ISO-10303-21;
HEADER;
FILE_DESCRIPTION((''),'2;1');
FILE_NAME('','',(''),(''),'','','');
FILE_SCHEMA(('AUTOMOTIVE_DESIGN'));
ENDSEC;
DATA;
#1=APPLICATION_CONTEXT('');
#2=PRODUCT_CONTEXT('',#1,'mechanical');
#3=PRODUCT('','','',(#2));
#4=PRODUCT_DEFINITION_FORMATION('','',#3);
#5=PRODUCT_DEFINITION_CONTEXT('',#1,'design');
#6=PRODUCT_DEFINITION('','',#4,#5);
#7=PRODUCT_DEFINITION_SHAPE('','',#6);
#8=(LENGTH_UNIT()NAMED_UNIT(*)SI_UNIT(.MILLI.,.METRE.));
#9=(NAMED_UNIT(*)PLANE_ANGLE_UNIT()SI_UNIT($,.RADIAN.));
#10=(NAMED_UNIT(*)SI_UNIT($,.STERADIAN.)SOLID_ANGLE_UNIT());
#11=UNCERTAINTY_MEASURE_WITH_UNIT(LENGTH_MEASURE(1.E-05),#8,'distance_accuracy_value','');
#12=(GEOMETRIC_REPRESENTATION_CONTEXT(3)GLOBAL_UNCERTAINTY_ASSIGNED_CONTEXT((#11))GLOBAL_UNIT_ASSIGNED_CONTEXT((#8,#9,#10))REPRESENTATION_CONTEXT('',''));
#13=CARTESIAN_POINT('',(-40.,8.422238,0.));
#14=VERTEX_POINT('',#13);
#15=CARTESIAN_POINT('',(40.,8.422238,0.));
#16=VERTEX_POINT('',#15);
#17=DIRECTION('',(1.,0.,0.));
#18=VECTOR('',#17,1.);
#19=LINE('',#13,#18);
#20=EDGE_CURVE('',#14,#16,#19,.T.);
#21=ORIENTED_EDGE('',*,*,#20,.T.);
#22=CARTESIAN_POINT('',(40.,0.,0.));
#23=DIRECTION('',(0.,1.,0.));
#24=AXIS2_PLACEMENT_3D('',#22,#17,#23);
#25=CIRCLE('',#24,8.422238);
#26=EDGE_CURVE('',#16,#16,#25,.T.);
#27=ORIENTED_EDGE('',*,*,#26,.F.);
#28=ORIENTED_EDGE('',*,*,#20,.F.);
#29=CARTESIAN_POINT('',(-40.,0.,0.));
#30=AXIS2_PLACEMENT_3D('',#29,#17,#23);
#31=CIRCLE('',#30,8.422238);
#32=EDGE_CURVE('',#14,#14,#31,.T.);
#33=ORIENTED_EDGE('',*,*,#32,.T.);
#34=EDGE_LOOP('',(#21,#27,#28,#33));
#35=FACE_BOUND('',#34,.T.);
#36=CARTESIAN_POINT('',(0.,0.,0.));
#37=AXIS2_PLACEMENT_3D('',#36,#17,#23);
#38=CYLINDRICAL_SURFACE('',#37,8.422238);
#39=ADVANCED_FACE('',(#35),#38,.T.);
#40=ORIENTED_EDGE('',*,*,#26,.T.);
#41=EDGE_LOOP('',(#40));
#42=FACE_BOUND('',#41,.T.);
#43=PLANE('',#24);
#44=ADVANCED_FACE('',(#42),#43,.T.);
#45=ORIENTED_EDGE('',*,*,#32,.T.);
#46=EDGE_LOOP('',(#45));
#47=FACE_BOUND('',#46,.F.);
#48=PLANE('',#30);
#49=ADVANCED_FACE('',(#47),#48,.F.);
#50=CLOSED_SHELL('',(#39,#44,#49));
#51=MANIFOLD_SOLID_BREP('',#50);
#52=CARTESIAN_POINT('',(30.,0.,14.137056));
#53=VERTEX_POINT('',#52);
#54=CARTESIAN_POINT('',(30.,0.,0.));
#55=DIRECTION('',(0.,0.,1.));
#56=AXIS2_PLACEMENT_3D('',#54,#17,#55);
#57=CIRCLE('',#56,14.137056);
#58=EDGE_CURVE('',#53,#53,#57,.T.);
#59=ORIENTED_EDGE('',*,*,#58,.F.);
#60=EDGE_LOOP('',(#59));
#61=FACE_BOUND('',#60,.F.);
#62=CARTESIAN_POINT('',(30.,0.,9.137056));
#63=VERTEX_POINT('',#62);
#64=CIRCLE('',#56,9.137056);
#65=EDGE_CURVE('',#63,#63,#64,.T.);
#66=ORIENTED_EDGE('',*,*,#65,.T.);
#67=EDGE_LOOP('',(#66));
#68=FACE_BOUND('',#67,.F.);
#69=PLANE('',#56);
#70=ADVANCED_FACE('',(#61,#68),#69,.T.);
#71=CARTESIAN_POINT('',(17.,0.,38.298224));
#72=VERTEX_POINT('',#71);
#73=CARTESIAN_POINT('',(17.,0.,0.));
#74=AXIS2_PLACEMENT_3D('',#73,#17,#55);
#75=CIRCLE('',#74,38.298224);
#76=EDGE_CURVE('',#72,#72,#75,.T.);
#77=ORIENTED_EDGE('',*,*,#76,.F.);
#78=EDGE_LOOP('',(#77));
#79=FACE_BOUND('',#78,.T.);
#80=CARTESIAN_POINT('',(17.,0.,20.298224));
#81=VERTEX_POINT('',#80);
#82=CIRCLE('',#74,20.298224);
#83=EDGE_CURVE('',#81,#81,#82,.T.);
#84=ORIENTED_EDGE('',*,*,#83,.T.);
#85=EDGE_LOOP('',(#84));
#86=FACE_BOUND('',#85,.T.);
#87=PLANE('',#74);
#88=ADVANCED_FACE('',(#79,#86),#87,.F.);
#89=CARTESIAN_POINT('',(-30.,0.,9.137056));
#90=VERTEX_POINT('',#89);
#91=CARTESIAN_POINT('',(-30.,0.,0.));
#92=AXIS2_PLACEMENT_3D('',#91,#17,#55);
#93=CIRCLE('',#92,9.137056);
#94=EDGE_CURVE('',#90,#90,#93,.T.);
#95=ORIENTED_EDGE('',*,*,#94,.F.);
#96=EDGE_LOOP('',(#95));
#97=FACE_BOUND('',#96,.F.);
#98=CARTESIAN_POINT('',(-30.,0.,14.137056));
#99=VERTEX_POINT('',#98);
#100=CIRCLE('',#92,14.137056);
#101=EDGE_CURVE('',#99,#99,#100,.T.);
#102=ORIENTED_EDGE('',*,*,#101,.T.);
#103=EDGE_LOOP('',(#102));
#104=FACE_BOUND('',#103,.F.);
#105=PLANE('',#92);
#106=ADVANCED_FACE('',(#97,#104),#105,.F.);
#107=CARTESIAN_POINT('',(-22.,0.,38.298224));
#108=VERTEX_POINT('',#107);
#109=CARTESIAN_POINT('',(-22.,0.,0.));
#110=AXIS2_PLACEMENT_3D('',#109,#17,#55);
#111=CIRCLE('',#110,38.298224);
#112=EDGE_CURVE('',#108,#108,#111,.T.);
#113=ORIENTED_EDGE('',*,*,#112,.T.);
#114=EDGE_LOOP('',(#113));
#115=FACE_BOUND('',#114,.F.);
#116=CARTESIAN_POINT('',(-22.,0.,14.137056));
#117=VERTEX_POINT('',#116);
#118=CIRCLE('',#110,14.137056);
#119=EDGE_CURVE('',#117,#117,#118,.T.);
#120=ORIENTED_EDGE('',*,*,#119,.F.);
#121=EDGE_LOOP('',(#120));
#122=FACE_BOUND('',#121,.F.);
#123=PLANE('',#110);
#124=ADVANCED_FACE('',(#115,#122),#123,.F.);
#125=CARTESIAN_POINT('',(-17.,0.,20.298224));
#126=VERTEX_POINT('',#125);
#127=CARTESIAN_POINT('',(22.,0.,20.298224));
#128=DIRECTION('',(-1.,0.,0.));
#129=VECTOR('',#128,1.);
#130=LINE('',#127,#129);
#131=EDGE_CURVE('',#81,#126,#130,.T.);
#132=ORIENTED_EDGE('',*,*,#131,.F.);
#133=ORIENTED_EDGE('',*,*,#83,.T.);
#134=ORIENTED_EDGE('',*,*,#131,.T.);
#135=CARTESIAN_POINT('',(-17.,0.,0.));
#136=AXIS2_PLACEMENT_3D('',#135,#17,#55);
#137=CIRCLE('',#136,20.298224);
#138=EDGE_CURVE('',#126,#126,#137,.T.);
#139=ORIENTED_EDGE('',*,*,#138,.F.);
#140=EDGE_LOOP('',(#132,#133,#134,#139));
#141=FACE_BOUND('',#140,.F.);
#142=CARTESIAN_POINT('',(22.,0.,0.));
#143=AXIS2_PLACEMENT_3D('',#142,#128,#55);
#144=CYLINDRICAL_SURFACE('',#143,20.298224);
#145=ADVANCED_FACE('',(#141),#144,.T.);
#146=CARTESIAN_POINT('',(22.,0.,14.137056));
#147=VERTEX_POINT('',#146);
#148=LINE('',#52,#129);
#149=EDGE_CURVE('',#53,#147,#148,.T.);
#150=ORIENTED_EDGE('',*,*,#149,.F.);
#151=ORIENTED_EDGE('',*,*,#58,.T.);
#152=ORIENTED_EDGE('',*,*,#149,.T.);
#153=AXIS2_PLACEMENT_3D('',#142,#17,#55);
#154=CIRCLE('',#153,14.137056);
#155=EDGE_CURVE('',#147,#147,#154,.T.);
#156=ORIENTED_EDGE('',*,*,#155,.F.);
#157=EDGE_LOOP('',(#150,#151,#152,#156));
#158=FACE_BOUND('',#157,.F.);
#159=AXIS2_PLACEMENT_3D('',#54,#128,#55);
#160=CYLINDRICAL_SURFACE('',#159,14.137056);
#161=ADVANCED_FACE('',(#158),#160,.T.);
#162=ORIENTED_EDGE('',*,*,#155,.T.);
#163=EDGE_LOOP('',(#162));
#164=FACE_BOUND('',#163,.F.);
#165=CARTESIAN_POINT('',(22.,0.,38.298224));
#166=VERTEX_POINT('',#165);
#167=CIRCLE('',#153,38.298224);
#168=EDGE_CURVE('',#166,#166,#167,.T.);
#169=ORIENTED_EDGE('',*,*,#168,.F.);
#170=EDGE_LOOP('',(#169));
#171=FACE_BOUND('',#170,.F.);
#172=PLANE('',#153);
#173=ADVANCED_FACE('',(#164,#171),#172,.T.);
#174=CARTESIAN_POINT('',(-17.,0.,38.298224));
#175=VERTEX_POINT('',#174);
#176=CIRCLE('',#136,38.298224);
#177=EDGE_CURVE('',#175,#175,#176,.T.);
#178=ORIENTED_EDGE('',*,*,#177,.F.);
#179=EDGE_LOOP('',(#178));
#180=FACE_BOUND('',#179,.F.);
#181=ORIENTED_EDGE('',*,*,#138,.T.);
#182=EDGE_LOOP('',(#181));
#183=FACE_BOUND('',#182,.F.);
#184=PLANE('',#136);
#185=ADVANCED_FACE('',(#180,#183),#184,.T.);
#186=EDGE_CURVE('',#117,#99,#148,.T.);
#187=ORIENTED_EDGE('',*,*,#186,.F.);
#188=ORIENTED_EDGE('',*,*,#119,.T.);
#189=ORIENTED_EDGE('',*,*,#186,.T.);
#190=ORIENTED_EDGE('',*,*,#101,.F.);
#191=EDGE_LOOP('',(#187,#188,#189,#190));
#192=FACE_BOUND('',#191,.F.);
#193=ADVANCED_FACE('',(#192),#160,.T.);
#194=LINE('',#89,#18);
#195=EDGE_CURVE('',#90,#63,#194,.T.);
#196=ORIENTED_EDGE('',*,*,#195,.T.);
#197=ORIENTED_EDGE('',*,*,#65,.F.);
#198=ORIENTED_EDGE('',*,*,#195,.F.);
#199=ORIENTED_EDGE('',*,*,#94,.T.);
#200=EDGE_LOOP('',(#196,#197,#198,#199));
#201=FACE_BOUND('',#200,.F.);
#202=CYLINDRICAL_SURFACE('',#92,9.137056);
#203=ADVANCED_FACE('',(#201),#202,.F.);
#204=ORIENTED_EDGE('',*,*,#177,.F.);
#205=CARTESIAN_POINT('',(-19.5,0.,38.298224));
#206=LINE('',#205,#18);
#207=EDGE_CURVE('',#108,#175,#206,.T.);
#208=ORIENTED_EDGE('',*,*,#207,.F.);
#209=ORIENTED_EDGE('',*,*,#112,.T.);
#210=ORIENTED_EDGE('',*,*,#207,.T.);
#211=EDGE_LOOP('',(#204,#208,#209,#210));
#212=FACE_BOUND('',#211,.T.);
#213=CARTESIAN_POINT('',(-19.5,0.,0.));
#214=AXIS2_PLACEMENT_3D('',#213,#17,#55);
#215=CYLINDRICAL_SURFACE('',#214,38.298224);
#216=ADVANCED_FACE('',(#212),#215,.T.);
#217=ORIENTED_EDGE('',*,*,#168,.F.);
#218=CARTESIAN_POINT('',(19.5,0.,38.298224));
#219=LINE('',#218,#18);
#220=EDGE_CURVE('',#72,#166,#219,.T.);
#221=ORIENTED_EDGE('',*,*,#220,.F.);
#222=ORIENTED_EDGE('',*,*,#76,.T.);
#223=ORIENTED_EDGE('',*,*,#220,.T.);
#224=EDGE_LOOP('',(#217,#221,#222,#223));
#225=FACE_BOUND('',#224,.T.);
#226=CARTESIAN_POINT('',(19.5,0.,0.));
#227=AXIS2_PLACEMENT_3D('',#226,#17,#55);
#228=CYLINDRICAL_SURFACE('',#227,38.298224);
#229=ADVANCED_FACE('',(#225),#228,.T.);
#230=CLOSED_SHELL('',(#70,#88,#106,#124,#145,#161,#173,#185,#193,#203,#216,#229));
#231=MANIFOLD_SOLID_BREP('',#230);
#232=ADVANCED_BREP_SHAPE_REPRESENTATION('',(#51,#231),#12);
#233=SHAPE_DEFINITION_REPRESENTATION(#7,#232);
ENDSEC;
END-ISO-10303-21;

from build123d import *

# Parameters (mm, degrees)
F0_R     = 8.4222380833
F1_DEPTH = 40
F2_W     = 5
F2_H     = 18


with BuildPart() as f1:
    # F0 (on Right) → F1 (new body, symmetric)
    with BuildSketch(Plane.YZ):
        Circle(F0_R)
    extrude(amount=F1_DEPTH, both=True)


with BuildPart() as f3:
    # F2 (on Front) → F3 (revolve)
    with BuildSketch(Plane.XZ):
        Polygon((-30, 14.1370562464), (-30, 9.1370562464), (30, 9.1370562464), (30, 14.1370562464), (22, 14.1370562464), (-22, 14.1370562464), align=None)
        Polygon((-22, 20.2982239425), (-22, 14.1370562464), (22, 14.1370562464), (22, 20.2982239425), (17, 20.2982239425), (-17, 20.2982239425), align=None)
        with Locations((-19.5, 29.2982239425)):
            Rectangle(F2_W, F2_H)
        with Locations((19.5, 29.2982239425)):
            Rectangle(F2_W, F2_H)
    revolve(axis=Axis((0, 0, 0), (1, 0, 0)))


solid = Compound([f1.part, f3.part])
